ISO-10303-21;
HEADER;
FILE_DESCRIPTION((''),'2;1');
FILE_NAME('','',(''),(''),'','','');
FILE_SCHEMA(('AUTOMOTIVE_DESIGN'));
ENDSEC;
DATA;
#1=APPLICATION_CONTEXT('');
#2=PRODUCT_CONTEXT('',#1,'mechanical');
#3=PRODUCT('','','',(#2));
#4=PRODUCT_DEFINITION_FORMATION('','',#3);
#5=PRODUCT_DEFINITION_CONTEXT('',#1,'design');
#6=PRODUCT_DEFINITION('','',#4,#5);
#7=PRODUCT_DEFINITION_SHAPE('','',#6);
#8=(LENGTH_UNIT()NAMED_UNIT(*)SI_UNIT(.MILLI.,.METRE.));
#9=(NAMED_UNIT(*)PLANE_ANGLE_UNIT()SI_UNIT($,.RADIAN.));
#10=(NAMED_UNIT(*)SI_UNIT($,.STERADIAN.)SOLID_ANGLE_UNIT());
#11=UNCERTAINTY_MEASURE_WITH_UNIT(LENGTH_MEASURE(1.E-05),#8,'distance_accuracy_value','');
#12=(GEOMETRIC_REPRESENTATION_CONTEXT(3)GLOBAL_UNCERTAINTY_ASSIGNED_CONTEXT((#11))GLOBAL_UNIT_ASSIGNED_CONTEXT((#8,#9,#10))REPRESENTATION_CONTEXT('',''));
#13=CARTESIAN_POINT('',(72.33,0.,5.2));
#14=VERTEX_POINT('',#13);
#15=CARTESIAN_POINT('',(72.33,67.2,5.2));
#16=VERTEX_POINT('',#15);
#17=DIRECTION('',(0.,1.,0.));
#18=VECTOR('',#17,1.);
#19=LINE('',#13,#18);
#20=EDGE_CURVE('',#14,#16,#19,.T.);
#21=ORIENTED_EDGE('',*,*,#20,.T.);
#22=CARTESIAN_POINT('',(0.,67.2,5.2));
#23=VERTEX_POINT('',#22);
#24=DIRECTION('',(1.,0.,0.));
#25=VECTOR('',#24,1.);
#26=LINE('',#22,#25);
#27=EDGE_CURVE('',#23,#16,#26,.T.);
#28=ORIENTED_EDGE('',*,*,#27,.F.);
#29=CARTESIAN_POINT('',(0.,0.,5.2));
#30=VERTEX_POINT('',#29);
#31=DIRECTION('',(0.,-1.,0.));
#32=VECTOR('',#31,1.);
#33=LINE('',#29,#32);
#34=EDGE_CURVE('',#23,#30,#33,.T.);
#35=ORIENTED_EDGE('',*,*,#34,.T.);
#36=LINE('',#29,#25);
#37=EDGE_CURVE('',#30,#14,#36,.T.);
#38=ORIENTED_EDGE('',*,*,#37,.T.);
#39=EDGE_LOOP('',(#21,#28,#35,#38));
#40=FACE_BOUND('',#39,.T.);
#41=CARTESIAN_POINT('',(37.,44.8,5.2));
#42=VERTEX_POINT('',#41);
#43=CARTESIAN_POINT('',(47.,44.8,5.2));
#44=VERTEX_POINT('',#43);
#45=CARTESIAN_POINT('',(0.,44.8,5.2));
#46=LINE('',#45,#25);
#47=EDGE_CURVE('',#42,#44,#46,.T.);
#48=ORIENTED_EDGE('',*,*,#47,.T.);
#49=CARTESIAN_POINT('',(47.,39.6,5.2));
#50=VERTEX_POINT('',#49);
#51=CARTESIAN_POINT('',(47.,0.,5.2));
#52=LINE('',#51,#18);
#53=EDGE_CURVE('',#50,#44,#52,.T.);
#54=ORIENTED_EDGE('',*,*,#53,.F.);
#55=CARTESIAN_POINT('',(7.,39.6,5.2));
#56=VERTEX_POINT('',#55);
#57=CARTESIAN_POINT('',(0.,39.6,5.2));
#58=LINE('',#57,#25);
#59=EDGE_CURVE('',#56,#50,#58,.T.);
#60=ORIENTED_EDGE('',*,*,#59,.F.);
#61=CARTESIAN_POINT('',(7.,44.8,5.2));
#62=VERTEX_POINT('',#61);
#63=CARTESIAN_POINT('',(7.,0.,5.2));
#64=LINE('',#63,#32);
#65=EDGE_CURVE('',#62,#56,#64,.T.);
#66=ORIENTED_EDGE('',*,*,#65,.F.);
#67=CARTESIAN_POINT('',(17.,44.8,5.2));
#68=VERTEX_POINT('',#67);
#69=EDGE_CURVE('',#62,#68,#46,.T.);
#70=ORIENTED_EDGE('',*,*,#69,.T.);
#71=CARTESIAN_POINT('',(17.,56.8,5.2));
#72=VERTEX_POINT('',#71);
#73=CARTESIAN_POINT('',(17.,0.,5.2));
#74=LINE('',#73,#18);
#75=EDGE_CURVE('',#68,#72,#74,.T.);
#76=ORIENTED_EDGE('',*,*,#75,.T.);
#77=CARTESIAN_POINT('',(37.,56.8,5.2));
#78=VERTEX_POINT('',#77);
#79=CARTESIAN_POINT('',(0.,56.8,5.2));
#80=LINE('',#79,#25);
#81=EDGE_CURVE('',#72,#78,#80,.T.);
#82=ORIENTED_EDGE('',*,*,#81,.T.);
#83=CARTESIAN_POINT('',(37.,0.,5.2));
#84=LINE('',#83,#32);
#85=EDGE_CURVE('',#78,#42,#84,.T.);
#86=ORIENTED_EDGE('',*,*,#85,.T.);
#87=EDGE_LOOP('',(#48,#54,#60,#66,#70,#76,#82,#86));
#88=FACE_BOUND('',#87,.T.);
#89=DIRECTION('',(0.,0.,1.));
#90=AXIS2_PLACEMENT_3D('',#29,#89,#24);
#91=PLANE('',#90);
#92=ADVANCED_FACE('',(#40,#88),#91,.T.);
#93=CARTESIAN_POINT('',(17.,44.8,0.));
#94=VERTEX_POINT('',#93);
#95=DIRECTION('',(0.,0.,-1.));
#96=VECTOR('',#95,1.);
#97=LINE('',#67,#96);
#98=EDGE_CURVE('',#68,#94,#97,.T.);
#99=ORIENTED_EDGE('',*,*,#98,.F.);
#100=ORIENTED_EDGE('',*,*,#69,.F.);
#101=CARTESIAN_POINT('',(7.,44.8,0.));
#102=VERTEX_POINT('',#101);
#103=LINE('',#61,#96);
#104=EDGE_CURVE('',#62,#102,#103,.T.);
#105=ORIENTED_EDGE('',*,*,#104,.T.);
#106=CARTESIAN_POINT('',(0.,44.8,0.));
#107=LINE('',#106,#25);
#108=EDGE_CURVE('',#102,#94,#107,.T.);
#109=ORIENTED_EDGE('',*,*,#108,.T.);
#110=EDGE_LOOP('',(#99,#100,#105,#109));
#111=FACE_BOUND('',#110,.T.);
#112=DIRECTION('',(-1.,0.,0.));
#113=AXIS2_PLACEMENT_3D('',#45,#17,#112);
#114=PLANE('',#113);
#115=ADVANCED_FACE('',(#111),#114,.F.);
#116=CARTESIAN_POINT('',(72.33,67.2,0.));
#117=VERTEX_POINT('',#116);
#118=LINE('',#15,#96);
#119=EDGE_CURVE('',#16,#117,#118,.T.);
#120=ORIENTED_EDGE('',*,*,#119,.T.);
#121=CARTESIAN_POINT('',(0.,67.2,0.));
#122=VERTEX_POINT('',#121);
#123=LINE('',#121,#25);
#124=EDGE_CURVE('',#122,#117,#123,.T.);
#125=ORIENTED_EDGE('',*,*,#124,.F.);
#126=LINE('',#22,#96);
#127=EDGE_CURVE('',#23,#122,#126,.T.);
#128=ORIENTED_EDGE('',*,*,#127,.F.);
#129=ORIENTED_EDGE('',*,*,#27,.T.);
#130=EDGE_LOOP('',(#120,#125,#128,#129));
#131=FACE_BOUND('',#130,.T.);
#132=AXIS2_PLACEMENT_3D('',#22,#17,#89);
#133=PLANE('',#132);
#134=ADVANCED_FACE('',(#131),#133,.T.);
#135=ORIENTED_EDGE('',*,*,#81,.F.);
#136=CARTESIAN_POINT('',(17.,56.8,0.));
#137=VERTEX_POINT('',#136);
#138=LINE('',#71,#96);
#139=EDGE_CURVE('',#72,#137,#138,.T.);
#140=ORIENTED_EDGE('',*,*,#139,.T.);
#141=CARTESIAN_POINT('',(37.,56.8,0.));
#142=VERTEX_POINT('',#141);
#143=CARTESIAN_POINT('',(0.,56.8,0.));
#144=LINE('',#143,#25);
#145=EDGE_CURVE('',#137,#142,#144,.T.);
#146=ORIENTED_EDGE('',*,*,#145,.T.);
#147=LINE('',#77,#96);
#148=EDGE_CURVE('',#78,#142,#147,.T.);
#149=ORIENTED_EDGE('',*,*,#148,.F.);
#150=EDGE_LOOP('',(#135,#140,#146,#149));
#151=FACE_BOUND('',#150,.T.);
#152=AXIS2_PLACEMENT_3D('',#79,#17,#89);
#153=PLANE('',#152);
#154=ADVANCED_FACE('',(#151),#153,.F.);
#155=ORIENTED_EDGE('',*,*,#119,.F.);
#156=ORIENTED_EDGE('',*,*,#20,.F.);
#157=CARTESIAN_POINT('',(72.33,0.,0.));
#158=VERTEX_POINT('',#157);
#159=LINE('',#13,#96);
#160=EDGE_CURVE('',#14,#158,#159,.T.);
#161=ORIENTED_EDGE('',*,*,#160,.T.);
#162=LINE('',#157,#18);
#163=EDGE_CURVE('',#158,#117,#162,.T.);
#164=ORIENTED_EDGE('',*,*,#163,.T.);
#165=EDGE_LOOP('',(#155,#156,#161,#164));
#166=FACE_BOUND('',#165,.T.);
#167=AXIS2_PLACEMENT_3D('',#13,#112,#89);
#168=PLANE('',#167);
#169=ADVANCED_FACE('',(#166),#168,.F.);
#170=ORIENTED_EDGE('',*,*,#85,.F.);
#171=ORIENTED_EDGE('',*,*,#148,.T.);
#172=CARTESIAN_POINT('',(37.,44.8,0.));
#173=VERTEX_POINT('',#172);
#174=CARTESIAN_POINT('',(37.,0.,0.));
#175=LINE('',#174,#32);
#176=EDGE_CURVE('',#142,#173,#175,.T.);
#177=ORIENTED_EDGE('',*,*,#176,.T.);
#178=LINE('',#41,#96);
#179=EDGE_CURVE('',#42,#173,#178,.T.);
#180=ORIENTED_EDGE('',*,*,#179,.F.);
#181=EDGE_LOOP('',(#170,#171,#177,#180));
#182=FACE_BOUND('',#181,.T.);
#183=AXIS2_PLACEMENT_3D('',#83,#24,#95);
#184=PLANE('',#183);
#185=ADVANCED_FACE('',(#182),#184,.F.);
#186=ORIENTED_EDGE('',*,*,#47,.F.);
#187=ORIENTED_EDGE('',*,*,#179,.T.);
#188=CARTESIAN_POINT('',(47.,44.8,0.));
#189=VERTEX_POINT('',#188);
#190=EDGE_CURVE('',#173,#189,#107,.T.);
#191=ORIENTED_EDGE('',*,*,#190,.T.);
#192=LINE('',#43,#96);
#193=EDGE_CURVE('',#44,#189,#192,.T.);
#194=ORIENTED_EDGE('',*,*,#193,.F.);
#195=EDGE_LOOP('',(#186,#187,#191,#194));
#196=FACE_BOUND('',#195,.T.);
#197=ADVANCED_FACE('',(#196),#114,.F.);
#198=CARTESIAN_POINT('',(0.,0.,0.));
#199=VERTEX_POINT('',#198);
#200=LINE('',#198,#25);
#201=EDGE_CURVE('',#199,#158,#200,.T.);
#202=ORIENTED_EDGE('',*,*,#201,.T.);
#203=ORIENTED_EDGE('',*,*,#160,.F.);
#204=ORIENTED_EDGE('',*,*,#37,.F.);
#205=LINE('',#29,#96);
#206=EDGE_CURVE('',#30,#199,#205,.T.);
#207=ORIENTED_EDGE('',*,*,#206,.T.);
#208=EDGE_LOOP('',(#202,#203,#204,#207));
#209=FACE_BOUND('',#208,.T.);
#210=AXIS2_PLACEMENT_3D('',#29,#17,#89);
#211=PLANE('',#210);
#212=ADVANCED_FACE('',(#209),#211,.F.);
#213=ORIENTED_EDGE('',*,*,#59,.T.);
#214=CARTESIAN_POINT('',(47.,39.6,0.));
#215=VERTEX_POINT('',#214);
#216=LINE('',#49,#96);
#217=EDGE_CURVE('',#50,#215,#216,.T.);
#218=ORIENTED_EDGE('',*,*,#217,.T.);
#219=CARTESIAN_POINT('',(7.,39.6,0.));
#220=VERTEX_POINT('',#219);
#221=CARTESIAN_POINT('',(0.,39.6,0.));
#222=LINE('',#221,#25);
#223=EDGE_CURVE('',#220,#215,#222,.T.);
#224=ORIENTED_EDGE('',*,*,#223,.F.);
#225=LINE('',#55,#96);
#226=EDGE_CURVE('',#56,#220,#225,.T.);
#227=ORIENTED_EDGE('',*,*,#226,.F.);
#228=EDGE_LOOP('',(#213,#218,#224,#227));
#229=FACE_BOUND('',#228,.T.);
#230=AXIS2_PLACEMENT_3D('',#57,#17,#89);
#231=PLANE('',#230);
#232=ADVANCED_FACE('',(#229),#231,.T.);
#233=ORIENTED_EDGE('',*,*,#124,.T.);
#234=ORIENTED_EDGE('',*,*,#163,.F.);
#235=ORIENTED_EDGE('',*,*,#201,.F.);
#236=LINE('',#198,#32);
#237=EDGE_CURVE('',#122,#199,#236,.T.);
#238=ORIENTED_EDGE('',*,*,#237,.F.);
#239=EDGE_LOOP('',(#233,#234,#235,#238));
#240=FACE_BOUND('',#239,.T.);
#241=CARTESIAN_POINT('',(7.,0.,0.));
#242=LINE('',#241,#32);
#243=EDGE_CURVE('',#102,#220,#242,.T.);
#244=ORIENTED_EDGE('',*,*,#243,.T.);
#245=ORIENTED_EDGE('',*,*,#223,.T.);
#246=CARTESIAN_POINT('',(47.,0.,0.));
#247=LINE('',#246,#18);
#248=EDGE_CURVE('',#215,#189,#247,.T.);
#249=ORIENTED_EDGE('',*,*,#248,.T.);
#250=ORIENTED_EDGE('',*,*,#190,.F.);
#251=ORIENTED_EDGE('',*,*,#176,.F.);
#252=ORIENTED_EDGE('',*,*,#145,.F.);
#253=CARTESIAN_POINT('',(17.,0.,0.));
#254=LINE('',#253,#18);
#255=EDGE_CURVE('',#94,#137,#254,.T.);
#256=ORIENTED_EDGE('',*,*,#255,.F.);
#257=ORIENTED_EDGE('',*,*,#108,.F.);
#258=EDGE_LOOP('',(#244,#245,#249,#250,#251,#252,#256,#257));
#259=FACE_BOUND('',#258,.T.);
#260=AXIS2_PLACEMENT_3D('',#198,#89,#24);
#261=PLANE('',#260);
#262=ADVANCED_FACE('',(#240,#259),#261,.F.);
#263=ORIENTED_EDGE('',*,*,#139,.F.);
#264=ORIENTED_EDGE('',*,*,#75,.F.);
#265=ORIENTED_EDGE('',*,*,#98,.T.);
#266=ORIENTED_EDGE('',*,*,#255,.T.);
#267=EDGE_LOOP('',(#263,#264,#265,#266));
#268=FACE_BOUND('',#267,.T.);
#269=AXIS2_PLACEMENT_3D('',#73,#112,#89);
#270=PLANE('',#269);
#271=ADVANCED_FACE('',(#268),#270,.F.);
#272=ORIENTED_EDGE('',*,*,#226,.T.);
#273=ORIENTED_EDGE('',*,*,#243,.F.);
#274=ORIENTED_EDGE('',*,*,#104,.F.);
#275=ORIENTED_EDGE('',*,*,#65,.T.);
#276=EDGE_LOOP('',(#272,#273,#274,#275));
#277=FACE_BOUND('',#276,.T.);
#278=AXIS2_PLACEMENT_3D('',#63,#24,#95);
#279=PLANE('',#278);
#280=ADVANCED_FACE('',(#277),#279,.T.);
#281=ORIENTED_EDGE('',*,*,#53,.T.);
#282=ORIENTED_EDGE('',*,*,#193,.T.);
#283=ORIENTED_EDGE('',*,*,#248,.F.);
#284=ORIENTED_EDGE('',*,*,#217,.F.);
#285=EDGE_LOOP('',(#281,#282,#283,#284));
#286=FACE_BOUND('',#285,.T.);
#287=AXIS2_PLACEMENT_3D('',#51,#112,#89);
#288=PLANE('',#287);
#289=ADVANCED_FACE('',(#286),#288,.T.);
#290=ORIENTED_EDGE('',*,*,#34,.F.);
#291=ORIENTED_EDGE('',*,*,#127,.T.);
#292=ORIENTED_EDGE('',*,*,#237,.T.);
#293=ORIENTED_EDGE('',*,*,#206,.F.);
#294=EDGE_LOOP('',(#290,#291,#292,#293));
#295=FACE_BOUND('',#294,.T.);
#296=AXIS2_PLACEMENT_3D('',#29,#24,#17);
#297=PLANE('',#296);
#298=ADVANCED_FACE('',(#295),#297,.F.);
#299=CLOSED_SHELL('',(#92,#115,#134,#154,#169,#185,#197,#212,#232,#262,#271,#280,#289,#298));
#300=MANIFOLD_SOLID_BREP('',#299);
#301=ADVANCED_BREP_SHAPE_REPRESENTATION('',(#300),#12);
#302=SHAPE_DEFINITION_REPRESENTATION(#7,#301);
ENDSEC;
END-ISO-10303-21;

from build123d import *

# Parameters (mm, degrees)
BOSS_EXTRUDE1_DEPTH = 5.2


with BuildPart() as part:
    # Sketch1 → Boss-Extrude1 (new body)
    with BuildSketch(Plane.XY):
        Polygon((0, 22.4), (0, 0), (72.33, 0), (72.33, 22.4), (72.33, 27.6), (72.33, 39.6), (72.33, 44.8), (72.33, 67.2), (0, 67.2), (0, 44.8), (0, 39.6), (0, 27.6), align=None)
        Polygon((17, 44.8), (17, 56.8), (37, 56.8), (37, 44.8), (47, 44.8), (47, 39.6), (7, 39.6), (7, 44.8), align=None, mode=Mode.SUBTRACT)
    extrude(amount=BOSS_EXTRUDE1_DEPTH)


solid = part.part
